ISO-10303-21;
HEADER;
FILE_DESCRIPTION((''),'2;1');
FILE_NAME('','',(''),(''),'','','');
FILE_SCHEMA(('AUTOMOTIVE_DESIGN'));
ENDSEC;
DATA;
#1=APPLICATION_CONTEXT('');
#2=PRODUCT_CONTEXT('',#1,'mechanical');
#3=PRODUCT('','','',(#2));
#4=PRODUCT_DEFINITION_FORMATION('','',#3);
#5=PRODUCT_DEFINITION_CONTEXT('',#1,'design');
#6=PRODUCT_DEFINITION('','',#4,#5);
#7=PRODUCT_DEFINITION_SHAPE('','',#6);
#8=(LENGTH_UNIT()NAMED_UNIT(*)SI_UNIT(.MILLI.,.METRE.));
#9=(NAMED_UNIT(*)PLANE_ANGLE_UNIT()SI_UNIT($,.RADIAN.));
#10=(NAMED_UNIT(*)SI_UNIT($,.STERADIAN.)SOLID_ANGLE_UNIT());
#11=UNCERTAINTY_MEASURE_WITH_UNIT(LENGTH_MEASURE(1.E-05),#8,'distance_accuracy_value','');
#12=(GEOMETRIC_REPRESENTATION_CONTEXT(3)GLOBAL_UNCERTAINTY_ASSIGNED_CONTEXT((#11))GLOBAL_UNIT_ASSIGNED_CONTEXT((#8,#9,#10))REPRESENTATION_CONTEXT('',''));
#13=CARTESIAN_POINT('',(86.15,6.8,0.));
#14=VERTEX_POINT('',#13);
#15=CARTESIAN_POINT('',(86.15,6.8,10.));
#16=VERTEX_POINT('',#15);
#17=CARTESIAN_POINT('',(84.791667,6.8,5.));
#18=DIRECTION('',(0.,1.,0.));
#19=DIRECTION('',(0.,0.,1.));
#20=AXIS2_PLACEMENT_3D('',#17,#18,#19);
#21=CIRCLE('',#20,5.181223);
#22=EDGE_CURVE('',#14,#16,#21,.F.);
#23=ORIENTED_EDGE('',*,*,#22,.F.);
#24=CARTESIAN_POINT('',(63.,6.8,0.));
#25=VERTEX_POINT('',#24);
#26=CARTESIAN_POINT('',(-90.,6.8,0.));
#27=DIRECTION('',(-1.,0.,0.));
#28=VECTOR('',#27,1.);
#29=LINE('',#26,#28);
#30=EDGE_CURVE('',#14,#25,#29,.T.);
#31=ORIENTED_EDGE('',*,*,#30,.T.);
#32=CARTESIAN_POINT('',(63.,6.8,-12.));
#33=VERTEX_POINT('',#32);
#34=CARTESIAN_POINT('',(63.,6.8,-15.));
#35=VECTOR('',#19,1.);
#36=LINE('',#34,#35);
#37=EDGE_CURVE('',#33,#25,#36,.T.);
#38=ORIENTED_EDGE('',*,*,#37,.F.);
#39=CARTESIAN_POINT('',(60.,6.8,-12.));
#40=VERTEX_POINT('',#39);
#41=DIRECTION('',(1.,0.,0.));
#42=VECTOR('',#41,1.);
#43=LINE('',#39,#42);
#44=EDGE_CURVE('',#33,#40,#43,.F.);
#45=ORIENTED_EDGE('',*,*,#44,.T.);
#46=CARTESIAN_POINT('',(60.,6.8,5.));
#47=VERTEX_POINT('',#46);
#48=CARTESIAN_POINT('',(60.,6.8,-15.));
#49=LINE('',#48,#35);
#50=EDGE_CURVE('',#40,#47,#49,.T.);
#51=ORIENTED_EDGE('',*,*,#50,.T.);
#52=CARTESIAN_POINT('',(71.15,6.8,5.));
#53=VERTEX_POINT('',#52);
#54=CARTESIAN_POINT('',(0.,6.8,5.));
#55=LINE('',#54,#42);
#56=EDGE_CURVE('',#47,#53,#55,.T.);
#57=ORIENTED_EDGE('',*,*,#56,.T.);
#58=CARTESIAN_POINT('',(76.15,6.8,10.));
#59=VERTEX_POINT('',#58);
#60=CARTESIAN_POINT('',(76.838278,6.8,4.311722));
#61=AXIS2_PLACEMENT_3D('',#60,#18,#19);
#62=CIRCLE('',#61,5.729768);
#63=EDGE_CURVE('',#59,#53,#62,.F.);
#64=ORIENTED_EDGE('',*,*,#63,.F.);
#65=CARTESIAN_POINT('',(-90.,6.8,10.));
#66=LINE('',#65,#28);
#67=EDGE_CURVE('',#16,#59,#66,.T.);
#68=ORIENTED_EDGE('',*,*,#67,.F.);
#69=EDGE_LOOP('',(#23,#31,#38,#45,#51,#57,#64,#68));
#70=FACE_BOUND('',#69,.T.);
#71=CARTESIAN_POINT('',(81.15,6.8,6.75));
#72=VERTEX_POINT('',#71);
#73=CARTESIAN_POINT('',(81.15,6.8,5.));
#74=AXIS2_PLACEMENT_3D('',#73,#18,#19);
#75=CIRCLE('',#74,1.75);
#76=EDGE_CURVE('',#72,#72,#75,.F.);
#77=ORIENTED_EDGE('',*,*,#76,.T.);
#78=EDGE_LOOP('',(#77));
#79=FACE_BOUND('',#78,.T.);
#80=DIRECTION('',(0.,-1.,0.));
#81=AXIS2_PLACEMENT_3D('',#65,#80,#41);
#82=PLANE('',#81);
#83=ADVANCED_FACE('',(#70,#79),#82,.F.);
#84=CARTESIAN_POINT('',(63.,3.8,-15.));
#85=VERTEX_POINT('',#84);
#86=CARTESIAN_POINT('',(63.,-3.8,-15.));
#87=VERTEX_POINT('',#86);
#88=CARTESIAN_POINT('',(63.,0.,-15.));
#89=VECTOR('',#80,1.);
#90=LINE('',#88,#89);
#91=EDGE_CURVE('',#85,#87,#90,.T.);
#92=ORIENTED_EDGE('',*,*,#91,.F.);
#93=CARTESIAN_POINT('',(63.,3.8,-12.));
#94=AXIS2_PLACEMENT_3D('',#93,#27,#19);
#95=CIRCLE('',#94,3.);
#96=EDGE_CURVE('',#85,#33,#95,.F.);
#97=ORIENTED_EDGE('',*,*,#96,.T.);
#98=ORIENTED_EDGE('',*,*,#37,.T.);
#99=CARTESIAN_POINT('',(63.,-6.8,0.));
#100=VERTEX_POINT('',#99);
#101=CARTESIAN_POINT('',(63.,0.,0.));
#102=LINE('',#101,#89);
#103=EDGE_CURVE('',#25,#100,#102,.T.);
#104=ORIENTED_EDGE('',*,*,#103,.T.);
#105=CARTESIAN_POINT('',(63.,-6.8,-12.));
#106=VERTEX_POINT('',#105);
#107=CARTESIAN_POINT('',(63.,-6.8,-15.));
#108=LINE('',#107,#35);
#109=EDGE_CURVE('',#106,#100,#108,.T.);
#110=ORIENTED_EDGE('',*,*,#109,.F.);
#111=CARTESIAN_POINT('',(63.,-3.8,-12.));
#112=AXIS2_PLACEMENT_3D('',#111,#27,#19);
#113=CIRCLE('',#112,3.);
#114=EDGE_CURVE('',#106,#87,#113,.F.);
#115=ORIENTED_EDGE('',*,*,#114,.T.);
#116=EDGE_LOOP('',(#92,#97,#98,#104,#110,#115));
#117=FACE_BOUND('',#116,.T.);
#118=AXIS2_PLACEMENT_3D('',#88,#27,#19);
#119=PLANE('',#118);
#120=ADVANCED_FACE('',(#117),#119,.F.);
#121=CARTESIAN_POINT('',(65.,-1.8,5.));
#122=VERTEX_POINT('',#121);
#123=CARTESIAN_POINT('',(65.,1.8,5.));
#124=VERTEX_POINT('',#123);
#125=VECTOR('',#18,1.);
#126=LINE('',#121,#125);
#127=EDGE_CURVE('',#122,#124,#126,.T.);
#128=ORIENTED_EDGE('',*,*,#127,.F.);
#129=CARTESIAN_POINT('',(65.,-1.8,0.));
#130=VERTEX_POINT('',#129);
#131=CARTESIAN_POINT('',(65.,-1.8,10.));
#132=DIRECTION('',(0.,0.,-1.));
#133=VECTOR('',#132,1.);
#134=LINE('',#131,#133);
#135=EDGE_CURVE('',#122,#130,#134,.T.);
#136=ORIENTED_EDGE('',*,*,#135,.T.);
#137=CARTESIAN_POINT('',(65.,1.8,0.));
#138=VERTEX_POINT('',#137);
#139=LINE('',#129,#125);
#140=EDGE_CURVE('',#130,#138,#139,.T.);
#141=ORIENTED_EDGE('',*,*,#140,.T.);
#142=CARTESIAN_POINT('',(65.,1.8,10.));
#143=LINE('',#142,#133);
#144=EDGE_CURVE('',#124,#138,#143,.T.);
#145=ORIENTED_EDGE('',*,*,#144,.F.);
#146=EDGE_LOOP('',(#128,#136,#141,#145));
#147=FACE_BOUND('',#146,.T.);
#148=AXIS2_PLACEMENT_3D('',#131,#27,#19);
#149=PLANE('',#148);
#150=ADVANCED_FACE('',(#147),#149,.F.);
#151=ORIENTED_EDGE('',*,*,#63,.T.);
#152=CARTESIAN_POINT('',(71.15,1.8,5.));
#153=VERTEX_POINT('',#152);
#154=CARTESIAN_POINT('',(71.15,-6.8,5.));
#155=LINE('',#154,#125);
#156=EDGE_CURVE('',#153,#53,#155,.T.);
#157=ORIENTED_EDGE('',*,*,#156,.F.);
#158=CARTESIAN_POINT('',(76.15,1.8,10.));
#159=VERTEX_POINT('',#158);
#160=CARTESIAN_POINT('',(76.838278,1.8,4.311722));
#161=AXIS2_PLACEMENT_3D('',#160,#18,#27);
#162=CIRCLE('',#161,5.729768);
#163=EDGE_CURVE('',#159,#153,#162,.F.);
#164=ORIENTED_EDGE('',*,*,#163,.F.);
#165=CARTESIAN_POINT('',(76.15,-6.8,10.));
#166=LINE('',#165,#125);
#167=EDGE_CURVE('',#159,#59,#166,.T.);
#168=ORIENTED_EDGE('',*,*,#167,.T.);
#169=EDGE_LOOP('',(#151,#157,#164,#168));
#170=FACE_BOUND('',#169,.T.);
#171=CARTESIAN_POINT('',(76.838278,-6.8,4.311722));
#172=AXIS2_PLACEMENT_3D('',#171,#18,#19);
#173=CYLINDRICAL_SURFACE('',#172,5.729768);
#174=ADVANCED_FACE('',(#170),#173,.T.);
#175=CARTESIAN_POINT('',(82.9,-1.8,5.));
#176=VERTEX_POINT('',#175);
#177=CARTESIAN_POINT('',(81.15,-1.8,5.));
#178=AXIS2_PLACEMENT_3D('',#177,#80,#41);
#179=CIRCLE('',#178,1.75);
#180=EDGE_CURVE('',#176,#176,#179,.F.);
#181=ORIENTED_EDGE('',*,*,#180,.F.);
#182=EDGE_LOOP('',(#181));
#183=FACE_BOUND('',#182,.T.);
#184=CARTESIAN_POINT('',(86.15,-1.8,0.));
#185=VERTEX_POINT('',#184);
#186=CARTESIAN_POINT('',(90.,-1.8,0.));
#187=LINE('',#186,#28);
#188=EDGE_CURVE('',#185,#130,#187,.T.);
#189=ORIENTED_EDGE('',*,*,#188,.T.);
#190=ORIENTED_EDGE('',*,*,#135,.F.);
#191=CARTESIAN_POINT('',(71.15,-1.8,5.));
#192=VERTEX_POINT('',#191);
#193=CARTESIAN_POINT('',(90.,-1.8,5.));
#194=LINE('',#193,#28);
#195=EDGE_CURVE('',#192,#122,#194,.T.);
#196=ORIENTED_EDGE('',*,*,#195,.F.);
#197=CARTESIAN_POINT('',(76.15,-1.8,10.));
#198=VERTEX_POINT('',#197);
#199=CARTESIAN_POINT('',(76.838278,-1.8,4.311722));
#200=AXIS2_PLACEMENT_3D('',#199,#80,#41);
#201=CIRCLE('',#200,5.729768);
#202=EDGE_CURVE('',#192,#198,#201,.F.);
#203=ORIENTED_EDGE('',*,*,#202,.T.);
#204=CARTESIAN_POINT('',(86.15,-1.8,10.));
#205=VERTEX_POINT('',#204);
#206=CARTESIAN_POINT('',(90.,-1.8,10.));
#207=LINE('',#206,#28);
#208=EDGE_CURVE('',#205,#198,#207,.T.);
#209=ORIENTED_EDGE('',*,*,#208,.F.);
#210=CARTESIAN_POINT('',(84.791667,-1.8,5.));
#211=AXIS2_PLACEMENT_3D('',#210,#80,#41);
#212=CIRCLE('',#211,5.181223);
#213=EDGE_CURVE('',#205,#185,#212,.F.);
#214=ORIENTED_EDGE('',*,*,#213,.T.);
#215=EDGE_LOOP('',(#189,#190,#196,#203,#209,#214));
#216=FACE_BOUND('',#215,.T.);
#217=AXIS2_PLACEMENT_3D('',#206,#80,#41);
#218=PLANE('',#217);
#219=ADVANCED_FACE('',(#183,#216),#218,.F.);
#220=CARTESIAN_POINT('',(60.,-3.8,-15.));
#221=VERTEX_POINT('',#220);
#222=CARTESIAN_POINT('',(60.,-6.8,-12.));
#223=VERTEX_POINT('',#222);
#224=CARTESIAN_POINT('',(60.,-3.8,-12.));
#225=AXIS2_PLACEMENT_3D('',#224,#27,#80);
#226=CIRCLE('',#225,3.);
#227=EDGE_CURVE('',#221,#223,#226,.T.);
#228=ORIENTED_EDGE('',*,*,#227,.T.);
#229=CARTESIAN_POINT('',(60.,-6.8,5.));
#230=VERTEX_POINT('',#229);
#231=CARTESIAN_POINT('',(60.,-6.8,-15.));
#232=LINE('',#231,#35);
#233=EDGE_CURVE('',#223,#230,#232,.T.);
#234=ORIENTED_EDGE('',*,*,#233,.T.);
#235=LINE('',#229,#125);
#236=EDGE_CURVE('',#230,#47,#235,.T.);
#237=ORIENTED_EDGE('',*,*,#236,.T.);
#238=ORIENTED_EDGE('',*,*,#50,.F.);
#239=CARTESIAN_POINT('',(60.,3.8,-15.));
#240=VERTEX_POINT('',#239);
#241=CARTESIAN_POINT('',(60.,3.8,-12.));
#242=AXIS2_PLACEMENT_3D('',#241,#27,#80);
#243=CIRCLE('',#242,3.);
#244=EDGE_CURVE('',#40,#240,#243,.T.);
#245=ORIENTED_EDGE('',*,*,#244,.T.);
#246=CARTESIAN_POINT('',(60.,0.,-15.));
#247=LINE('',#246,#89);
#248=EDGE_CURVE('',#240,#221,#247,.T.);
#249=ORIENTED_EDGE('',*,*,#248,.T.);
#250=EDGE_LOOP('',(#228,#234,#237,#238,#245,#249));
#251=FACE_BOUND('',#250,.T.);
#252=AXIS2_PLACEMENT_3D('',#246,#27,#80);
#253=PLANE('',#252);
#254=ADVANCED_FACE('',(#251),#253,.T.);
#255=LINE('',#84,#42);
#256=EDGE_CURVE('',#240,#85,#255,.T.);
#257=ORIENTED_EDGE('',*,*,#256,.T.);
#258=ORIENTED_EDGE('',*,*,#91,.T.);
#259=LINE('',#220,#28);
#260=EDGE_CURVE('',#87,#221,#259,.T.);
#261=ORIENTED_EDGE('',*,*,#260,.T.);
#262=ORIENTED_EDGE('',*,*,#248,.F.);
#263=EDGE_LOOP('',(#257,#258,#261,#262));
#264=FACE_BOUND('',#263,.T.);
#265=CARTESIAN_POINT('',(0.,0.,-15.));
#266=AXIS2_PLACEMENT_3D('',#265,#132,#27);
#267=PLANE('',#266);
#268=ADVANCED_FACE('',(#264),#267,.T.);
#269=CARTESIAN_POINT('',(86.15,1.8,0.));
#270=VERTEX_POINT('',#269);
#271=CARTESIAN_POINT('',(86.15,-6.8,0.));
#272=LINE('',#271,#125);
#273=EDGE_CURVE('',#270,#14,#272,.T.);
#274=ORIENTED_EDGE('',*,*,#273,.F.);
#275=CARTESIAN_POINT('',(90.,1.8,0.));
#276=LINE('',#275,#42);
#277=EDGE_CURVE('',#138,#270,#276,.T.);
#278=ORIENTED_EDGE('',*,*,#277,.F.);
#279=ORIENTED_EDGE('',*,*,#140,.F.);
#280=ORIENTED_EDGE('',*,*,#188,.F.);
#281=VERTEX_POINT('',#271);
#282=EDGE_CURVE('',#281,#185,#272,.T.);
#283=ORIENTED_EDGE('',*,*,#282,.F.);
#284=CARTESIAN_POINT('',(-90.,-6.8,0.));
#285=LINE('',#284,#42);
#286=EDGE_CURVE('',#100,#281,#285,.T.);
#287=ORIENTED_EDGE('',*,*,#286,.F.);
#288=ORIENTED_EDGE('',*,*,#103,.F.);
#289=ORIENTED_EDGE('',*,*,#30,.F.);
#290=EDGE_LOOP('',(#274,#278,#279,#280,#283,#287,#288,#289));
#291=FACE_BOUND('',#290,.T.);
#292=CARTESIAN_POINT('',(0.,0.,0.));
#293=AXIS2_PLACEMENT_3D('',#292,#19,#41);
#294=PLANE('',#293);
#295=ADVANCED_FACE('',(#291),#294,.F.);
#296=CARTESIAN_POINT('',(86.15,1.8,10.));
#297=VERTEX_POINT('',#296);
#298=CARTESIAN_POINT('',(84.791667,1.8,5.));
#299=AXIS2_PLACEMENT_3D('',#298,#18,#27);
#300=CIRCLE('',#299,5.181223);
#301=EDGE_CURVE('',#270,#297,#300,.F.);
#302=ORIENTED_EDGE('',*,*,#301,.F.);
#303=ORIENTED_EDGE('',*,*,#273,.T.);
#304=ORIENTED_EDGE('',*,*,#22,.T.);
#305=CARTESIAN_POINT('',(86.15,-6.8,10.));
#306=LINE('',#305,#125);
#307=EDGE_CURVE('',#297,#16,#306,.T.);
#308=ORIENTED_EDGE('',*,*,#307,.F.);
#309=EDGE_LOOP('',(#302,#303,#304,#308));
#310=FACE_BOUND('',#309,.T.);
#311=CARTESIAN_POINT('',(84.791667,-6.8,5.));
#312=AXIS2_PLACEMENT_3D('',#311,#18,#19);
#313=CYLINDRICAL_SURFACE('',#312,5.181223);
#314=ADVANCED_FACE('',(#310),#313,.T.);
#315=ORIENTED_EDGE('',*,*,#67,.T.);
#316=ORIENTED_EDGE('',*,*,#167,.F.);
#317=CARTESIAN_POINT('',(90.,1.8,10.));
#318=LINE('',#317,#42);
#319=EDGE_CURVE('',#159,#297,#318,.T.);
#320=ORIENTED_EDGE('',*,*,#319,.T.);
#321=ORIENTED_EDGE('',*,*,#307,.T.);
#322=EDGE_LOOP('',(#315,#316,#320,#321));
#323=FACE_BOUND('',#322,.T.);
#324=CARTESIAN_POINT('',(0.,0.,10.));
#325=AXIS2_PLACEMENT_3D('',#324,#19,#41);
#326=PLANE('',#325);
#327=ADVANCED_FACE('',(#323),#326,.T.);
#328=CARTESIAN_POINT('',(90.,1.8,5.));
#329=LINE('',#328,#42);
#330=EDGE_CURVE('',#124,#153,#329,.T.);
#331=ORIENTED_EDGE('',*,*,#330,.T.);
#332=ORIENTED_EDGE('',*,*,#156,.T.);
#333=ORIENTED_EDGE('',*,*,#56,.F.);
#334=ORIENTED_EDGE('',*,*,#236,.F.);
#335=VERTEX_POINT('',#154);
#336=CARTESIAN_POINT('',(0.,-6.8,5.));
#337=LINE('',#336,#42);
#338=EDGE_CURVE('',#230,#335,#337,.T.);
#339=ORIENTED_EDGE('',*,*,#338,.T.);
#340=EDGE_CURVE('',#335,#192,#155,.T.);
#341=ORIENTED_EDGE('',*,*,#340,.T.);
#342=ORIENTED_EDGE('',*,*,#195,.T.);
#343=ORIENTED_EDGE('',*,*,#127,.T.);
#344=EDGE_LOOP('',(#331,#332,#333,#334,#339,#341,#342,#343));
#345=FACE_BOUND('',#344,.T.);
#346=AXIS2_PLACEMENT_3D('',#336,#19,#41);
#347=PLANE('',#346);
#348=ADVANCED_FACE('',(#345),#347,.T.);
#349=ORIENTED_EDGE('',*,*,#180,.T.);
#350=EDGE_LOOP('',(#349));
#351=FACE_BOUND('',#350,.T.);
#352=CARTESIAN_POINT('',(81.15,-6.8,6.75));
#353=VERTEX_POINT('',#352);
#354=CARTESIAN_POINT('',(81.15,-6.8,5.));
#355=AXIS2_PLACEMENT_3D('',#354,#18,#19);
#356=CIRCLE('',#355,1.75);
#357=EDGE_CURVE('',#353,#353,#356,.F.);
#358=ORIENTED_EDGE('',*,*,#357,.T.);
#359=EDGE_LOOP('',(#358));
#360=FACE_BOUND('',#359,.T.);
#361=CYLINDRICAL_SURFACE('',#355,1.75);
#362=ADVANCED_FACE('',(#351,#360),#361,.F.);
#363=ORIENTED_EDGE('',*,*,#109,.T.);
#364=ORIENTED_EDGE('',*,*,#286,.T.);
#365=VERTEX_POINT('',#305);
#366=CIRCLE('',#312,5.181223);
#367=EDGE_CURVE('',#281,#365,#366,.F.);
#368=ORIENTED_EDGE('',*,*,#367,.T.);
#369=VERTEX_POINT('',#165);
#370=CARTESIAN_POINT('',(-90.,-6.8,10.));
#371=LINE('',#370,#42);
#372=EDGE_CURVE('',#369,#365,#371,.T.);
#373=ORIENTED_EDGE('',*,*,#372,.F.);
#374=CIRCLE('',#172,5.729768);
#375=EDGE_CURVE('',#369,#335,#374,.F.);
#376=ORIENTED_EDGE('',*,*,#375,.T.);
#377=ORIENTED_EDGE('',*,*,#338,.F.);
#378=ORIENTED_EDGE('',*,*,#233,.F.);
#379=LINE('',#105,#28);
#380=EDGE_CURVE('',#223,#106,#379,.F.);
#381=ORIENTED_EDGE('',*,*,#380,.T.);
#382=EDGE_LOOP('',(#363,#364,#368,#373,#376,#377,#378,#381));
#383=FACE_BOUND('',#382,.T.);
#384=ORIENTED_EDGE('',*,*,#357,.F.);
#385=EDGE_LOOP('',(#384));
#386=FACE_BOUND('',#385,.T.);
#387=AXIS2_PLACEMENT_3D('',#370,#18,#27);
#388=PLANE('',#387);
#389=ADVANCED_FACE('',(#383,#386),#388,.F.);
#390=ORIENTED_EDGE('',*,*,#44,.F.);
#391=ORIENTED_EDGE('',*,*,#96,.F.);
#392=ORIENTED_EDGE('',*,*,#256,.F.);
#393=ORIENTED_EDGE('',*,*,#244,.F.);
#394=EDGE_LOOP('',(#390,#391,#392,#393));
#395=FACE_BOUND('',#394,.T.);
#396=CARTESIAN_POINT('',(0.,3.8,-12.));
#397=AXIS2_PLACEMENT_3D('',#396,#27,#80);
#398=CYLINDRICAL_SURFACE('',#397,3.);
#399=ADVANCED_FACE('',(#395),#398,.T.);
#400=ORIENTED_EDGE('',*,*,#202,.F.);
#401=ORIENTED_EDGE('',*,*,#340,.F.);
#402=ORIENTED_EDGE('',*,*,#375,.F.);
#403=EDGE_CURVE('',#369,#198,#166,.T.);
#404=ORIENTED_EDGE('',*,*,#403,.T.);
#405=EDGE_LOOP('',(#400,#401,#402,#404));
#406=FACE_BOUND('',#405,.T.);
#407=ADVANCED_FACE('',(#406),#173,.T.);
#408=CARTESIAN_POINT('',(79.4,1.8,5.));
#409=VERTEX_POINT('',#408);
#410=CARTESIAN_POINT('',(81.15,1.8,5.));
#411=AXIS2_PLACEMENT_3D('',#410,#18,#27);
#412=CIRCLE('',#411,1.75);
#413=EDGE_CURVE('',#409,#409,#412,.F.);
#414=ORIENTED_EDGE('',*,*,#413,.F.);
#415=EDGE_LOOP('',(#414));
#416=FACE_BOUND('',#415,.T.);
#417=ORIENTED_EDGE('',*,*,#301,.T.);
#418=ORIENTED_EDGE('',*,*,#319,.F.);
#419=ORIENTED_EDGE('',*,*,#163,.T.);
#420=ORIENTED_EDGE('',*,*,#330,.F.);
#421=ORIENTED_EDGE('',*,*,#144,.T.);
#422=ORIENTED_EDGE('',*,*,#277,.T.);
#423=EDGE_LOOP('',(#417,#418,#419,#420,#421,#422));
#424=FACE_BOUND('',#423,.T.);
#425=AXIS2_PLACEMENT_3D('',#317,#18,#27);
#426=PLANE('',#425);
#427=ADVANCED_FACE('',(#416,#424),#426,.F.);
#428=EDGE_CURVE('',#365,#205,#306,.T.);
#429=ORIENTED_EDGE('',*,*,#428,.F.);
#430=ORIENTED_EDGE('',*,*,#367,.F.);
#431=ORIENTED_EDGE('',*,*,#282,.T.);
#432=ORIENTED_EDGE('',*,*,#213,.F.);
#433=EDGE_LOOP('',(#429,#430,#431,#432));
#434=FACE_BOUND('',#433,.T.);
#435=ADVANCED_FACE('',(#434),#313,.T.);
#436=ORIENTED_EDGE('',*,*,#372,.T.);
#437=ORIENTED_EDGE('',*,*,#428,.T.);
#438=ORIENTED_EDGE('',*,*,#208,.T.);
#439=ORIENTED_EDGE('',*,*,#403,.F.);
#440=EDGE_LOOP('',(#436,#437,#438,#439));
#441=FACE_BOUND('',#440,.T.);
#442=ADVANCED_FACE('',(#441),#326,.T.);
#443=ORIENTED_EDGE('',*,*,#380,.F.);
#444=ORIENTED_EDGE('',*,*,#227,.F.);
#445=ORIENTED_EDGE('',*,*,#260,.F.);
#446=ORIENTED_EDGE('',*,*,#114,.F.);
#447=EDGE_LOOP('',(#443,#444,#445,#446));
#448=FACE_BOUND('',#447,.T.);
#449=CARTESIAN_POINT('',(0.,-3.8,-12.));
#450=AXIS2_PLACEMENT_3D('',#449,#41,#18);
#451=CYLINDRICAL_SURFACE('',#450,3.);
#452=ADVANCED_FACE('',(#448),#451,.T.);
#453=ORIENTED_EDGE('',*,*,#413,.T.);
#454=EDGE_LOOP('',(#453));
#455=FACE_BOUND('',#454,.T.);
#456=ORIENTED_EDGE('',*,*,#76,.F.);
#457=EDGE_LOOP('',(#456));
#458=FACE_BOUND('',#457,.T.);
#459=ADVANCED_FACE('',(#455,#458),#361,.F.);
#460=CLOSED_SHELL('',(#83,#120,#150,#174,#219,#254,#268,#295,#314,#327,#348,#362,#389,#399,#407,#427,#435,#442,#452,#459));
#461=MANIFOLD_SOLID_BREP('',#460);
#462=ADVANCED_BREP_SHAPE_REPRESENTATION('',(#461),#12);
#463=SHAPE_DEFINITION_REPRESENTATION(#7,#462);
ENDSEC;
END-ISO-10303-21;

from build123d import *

# Parameters (mm, degrees)
SALIENTE_EXTRUIR1_DEPTH = 10
CROQUIS2_R              = 1.75
CORTAR_EXTRUIR1_DEPTH   = 92.569427212
CROQUIS3_W              = 3
CROQUIS3_H              = 13.6
SALIENTE_EXTRUIR2_DEPTH = 15
CHAFL_N1_SIZE           = 10
CHAFL_N1_SIZE2          = 2.679491924
REDONDEO1_R             = 3
CROQUIS4_W              = 166.722641079
CROQUIS4_H              = 47.037936504
CORTAR_EXTRUIR2_DEPTH   = 93.22299515


with BuildPart() as part:
    # Croquis1 → Saliente-Extruir1 (new body)
    with BuildSketch(Plane.XY):
        Polygon((-90, -6.8), (-90, -1.8), (-65, -1.8), (-65, 1.8), (-90, 1.8), (-90, 6.8), (90, 6.8), (90, 1.8), (65, 1.8), (65, -1.8), (90, -1.8), (90, -6.8), align=None)
    extrude(amount=SALIENTE_EXTRUIR1_DEPTH)

    # Croquis2 → Cortar-Extruir1 (cut, through all)
    with BuildSketch(Plane(origin=(0, 6.8, 0), x_dir=(1, 0, 0), z_dir=(0, 1, 0))):
        with BuildLine():
            ThreePointArc((-86.15, -10), (-89.972889442, -5), (-86.15, 0))
            Line((-86.15, 0), (-90, 0))
            Line((-90, 0), (-90, -10))
            Line((-90, -10), (-86.15, -10))
        make_face()
        with BuildLine():
            Line((86.15, -10), (90, -10))
            Line((90, -10), (90, 0))
            Line((90, 0), (86.15, 0))
            ThreePointArc((86.15, 0), (89.972889442, -5), (86.15, -10))
        make_face()
        with BuildLine():
            Line((71.15, -5), (-71.15, -5))
            ThreePointArc((-71.15, -5), (-72.786720767, -8.363279233), (-76.15, -10))
            Line((-76.15, -10), (76.15, -10))
            ThreePointArc((76.15, -10), (72.786720767, -8.363279233), (71.15, -5))
        make_face()
        with Locations(Location((81.15, -5, 0), (0, 0, 270))):
            Circle(CROQUIS2_R)
    extrude(amount=-CORTAR_EXTRUIR1_DEPTH, mode=Mode.SUBTRACT)

    # Croquis3 → Saliente-Extruir2 (add)
    with BuildSketch(Plane(origin=(0, 0, 0), x_dir=(-1, 0, 0), z_dir=(0, 0, -1))):
        with Locations((-61.5, 0)):
            Rectangle(CROQUIS3_W, CROQUIS3_H)
        with Locations((61.5, 0)):
            Rectangle(CROQUIS3_W, CROQUIS3_H)
    extrude(amount=SALIENTE_EXTRUIR2_DEPTH)

    # Chaflán1
    chafl_n1_edges = [part.edges().sort_by_distance(p)[0] for p in [
        (0, -6.8, 0),
    ]]
    chafl_n1_side = [part.faces().sort_by_distance(p)[0] for p in [
        (0, 0, 0),
    ]]
    chamfer(chafl_n1_edges, length=CHAFL_N1_SIZE, length2=CHAFL_N1_SIZE2, reference=chafl_n1_side[0])

    # Redondeo1
    redondeo1_edges = [part.edges().sort_by_distance(p)[0] for p in [
        (61.5, 6.8, -15),
        (61.5, -6.8, -15),
        (-61.5, 6.8, -15),
        (-61.5, -6.8, -15),
    ]]
    fillet(redondeo1_edges, radius=REDONDEO1_R)

    # Croquis4 → Cortar-Extruir2 (cut, through all)
    with BuildSketch(Plane(origin=(0, -6.8, 0), x_dir=(-1, 0, 0), z_dir=(0, -1, 0))):
        with Locations((23.36132054, -0.816815002)):
            Rectangle(CROQUIS4_W, CROQUIS4_H)
    extrude(amount=-CORTAR_EXTRUIR2_DEPTH, mode=Mode.SUBTRACT)


solid = part.part
